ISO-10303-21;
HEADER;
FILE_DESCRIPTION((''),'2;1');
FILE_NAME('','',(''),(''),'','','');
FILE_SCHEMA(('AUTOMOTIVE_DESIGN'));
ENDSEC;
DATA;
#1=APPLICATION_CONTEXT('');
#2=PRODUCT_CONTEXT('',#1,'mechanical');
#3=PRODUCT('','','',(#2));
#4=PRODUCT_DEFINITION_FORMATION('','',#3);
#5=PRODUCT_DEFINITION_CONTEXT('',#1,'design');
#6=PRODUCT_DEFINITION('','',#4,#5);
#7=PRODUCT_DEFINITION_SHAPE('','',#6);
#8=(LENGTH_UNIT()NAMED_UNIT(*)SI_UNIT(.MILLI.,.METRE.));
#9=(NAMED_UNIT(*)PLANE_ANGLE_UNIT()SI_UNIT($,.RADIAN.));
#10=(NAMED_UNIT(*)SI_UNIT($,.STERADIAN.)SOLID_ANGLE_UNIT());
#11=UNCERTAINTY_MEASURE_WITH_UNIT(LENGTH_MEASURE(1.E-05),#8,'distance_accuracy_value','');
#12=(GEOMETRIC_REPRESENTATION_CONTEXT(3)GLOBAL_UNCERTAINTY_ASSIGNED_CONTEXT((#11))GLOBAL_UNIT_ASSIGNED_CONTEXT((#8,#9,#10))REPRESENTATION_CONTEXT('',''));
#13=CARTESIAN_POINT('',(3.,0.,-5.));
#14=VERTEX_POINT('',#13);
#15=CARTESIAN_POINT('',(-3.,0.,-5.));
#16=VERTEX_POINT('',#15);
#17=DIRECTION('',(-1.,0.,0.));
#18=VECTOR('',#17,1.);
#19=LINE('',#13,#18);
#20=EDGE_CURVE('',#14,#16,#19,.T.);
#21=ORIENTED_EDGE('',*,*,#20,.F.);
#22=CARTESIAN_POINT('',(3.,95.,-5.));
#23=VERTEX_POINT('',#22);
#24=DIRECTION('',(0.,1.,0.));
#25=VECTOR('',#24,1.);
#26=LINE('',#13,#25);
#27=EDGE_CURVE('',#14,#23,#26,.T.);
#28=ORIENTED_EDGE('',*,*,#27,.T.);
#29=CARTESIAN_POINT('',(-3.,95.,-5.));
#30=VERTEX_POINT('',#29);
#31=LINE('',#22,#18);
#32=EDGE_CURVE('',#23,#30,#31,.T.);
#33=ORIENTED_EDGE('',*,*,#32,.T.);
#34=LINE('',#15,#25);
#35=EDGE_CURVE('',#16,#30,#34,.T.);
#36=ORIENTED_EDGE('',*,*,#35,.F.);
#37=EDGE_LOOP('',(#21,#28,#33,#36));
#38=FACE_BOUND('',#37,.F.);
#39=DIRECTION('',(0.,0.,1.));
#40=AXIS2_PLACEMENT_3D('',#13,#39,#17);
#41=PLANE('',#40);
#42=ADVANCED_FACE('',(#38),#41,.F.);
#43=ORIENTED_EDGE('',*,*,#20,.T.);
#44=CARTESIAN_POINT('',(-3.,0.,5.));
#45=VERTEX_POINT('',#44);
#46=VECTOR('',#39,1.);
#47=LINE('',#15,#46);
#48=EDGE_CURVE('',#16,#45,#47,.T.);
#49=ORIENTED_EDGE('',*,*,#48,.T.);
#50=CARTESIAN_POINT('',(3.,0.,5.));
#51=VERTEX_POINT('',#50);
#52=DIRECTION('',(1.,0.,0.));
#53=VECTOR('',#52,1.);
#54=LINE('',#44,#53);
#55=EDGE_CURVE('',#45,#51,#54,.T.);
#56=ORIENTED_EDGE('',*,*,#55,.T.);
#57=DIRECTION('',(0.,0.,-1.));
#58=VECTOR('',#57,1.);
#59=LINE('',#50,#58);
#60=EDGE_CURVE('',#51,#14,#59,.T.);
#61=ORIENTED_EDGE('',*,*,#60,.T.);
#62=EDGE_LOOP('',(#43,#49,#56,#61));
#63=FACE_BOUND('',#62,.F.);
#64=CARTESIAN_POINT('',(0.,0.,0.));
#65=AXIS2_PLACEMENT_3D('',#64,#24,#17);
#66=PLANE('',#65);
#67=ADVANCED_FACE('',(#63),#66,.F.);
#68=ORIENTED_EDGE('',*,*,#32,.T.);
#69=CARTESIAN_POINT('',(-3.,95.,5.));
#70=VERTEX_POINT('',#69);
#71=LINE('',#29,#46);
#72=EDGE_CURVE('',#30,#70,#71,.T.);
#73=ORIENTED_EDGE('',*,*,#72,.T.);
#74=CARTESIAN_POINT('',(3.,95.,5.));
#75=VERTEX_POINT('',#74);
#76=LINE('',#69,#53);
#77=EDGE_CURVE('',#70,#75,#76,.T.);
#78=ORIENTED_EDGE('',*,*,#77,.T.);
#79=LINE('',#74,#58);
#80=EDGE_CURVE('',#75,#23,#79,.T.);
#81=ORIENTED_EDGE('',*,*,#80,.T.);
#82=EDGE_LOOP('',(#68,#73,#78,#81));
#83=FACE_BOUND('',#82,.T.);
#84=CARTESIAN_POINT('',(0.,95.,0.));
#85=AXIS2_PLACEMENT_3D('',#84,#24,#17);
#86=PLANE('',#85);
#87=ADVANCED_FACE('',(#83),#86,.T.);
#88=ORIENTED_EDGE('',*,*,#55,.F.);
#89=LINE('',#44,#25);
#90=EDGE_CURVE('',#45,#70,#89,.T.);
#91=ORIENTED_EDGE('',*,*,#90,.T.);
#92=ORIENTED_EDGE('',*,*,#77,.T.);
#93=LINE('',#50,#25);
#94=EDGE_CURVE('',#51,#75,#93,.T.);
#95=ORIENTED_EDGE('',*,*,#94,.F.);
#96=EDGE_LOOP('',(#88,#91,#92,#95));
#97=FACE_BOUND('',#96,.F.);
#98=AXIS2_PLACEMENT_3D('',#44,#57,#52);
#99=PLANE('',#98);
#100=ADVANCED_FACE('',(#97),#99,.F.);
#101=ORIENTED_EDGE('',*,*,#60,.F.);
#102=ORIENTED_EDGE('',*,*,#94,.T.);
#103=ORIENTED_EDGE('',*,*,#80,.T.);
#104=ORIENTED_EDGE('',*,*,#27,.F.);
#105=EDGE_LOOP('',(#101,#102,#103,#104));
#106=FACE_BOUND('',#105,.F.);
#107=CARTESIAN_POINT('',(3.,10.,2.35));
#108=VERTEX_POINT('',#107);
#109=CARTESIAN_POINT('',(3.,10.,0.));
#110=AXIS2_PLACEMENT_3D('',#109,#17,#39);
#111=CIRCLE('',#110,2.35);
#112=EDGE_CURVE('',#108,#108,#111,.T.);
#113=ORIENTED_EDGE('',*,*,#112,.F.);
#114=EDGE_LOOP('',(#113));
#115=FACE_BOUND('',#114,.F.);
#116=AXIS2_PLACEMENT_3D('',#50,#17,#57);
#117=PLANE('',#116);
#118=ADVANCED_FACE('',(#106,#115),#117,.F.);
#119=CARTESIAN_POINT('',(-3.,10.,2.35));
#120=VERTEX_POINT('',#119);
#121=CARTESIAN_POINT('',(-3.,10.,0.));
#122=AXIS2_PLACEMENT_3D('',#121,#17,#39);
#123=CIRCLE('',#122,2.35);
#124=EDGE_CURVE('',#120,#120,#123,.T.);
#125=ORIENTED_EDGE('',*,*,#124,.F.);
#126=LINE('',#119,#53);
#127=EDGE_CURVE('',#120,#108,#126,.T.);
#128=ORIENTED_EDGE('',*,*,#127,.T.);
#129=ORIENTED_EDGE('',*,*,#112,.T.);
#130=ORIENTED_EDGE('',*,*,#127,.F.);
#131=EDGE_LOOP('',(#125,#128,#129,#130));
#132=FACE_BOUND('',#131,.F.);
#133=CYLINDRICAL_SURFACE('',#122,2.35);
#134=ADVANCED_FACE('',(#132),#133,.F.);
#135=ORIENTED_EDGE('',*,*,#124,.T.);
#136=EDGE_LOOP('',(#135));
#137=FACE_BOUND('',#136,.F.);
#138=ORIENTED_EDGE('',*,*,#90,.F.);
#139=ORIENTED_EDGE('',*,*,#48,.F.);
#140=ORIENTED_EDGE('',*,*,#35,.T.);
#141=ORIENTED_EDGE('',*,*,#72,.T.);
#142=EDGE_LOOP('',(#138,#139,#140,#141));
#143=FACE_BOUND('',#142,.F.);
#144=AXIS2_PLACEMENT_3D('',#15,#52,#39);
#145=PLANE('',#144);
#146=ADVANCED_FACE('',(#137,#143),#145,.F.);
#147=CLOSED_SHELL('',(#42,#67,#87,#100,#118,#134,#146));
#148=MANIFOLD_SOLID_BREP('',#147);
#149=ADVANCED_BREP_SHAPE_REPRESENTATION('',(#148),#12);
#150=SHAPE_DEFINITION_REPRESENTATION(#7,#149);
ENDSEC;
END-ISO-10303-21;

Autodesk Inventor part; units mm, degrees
ref_plane "YZ Plane" through (0, 0, 0) normal (1, 0, 0) x (0, 1, 0)
ref_plane "XZ Plane" through (0, 0, 0) normal (0, 1, 0) x (-1, 0, 0)
ref_plane "XY Plane" through (0, 0, 0) normal (0, 0, 1) x (1, 0, 0)
sketch "Sketch1" plane through (0, 0, 0) normal (0, 1, 0) x (-1, 0, 0)
  line L0 (-3, -5) -> (3, -5)
  line L1 (3, -5) -> (3, 5)
  line L2 (3, 5) -> (-3, 5)
  line L3 (-3, 5) -> (-3, -5)
  line L4 (-3, -5) -> (3, 5) construction
  line L5 (3, -5) -> (-3, 5) construction
  point P0 (0, 0)
  dimension "d0" = 6
  dimension "d1" = 10
extrude "Extrusion1" add sketch "Sketch1" along normal blind 95
sketch "Sketch2" plane through (-3, 0, -5) normal (-1, 0, 0) x (0, 0, 1)
  line L0 (0, 0) -> (10, 0) projected
  line L1 (0, 0) -> (0, 95) projected
  circle A0 centre (5, 10) radius 2.35
  line L2 (5, 0) -> (5, 20) construction
  dimension "d4" = 4.7
  dimension "d5" = 10
extrude "Extrusion2" cut sketch "Sketch2" against normal up to next
properties part number "WoodArm" material "Wood (Cherry)"
